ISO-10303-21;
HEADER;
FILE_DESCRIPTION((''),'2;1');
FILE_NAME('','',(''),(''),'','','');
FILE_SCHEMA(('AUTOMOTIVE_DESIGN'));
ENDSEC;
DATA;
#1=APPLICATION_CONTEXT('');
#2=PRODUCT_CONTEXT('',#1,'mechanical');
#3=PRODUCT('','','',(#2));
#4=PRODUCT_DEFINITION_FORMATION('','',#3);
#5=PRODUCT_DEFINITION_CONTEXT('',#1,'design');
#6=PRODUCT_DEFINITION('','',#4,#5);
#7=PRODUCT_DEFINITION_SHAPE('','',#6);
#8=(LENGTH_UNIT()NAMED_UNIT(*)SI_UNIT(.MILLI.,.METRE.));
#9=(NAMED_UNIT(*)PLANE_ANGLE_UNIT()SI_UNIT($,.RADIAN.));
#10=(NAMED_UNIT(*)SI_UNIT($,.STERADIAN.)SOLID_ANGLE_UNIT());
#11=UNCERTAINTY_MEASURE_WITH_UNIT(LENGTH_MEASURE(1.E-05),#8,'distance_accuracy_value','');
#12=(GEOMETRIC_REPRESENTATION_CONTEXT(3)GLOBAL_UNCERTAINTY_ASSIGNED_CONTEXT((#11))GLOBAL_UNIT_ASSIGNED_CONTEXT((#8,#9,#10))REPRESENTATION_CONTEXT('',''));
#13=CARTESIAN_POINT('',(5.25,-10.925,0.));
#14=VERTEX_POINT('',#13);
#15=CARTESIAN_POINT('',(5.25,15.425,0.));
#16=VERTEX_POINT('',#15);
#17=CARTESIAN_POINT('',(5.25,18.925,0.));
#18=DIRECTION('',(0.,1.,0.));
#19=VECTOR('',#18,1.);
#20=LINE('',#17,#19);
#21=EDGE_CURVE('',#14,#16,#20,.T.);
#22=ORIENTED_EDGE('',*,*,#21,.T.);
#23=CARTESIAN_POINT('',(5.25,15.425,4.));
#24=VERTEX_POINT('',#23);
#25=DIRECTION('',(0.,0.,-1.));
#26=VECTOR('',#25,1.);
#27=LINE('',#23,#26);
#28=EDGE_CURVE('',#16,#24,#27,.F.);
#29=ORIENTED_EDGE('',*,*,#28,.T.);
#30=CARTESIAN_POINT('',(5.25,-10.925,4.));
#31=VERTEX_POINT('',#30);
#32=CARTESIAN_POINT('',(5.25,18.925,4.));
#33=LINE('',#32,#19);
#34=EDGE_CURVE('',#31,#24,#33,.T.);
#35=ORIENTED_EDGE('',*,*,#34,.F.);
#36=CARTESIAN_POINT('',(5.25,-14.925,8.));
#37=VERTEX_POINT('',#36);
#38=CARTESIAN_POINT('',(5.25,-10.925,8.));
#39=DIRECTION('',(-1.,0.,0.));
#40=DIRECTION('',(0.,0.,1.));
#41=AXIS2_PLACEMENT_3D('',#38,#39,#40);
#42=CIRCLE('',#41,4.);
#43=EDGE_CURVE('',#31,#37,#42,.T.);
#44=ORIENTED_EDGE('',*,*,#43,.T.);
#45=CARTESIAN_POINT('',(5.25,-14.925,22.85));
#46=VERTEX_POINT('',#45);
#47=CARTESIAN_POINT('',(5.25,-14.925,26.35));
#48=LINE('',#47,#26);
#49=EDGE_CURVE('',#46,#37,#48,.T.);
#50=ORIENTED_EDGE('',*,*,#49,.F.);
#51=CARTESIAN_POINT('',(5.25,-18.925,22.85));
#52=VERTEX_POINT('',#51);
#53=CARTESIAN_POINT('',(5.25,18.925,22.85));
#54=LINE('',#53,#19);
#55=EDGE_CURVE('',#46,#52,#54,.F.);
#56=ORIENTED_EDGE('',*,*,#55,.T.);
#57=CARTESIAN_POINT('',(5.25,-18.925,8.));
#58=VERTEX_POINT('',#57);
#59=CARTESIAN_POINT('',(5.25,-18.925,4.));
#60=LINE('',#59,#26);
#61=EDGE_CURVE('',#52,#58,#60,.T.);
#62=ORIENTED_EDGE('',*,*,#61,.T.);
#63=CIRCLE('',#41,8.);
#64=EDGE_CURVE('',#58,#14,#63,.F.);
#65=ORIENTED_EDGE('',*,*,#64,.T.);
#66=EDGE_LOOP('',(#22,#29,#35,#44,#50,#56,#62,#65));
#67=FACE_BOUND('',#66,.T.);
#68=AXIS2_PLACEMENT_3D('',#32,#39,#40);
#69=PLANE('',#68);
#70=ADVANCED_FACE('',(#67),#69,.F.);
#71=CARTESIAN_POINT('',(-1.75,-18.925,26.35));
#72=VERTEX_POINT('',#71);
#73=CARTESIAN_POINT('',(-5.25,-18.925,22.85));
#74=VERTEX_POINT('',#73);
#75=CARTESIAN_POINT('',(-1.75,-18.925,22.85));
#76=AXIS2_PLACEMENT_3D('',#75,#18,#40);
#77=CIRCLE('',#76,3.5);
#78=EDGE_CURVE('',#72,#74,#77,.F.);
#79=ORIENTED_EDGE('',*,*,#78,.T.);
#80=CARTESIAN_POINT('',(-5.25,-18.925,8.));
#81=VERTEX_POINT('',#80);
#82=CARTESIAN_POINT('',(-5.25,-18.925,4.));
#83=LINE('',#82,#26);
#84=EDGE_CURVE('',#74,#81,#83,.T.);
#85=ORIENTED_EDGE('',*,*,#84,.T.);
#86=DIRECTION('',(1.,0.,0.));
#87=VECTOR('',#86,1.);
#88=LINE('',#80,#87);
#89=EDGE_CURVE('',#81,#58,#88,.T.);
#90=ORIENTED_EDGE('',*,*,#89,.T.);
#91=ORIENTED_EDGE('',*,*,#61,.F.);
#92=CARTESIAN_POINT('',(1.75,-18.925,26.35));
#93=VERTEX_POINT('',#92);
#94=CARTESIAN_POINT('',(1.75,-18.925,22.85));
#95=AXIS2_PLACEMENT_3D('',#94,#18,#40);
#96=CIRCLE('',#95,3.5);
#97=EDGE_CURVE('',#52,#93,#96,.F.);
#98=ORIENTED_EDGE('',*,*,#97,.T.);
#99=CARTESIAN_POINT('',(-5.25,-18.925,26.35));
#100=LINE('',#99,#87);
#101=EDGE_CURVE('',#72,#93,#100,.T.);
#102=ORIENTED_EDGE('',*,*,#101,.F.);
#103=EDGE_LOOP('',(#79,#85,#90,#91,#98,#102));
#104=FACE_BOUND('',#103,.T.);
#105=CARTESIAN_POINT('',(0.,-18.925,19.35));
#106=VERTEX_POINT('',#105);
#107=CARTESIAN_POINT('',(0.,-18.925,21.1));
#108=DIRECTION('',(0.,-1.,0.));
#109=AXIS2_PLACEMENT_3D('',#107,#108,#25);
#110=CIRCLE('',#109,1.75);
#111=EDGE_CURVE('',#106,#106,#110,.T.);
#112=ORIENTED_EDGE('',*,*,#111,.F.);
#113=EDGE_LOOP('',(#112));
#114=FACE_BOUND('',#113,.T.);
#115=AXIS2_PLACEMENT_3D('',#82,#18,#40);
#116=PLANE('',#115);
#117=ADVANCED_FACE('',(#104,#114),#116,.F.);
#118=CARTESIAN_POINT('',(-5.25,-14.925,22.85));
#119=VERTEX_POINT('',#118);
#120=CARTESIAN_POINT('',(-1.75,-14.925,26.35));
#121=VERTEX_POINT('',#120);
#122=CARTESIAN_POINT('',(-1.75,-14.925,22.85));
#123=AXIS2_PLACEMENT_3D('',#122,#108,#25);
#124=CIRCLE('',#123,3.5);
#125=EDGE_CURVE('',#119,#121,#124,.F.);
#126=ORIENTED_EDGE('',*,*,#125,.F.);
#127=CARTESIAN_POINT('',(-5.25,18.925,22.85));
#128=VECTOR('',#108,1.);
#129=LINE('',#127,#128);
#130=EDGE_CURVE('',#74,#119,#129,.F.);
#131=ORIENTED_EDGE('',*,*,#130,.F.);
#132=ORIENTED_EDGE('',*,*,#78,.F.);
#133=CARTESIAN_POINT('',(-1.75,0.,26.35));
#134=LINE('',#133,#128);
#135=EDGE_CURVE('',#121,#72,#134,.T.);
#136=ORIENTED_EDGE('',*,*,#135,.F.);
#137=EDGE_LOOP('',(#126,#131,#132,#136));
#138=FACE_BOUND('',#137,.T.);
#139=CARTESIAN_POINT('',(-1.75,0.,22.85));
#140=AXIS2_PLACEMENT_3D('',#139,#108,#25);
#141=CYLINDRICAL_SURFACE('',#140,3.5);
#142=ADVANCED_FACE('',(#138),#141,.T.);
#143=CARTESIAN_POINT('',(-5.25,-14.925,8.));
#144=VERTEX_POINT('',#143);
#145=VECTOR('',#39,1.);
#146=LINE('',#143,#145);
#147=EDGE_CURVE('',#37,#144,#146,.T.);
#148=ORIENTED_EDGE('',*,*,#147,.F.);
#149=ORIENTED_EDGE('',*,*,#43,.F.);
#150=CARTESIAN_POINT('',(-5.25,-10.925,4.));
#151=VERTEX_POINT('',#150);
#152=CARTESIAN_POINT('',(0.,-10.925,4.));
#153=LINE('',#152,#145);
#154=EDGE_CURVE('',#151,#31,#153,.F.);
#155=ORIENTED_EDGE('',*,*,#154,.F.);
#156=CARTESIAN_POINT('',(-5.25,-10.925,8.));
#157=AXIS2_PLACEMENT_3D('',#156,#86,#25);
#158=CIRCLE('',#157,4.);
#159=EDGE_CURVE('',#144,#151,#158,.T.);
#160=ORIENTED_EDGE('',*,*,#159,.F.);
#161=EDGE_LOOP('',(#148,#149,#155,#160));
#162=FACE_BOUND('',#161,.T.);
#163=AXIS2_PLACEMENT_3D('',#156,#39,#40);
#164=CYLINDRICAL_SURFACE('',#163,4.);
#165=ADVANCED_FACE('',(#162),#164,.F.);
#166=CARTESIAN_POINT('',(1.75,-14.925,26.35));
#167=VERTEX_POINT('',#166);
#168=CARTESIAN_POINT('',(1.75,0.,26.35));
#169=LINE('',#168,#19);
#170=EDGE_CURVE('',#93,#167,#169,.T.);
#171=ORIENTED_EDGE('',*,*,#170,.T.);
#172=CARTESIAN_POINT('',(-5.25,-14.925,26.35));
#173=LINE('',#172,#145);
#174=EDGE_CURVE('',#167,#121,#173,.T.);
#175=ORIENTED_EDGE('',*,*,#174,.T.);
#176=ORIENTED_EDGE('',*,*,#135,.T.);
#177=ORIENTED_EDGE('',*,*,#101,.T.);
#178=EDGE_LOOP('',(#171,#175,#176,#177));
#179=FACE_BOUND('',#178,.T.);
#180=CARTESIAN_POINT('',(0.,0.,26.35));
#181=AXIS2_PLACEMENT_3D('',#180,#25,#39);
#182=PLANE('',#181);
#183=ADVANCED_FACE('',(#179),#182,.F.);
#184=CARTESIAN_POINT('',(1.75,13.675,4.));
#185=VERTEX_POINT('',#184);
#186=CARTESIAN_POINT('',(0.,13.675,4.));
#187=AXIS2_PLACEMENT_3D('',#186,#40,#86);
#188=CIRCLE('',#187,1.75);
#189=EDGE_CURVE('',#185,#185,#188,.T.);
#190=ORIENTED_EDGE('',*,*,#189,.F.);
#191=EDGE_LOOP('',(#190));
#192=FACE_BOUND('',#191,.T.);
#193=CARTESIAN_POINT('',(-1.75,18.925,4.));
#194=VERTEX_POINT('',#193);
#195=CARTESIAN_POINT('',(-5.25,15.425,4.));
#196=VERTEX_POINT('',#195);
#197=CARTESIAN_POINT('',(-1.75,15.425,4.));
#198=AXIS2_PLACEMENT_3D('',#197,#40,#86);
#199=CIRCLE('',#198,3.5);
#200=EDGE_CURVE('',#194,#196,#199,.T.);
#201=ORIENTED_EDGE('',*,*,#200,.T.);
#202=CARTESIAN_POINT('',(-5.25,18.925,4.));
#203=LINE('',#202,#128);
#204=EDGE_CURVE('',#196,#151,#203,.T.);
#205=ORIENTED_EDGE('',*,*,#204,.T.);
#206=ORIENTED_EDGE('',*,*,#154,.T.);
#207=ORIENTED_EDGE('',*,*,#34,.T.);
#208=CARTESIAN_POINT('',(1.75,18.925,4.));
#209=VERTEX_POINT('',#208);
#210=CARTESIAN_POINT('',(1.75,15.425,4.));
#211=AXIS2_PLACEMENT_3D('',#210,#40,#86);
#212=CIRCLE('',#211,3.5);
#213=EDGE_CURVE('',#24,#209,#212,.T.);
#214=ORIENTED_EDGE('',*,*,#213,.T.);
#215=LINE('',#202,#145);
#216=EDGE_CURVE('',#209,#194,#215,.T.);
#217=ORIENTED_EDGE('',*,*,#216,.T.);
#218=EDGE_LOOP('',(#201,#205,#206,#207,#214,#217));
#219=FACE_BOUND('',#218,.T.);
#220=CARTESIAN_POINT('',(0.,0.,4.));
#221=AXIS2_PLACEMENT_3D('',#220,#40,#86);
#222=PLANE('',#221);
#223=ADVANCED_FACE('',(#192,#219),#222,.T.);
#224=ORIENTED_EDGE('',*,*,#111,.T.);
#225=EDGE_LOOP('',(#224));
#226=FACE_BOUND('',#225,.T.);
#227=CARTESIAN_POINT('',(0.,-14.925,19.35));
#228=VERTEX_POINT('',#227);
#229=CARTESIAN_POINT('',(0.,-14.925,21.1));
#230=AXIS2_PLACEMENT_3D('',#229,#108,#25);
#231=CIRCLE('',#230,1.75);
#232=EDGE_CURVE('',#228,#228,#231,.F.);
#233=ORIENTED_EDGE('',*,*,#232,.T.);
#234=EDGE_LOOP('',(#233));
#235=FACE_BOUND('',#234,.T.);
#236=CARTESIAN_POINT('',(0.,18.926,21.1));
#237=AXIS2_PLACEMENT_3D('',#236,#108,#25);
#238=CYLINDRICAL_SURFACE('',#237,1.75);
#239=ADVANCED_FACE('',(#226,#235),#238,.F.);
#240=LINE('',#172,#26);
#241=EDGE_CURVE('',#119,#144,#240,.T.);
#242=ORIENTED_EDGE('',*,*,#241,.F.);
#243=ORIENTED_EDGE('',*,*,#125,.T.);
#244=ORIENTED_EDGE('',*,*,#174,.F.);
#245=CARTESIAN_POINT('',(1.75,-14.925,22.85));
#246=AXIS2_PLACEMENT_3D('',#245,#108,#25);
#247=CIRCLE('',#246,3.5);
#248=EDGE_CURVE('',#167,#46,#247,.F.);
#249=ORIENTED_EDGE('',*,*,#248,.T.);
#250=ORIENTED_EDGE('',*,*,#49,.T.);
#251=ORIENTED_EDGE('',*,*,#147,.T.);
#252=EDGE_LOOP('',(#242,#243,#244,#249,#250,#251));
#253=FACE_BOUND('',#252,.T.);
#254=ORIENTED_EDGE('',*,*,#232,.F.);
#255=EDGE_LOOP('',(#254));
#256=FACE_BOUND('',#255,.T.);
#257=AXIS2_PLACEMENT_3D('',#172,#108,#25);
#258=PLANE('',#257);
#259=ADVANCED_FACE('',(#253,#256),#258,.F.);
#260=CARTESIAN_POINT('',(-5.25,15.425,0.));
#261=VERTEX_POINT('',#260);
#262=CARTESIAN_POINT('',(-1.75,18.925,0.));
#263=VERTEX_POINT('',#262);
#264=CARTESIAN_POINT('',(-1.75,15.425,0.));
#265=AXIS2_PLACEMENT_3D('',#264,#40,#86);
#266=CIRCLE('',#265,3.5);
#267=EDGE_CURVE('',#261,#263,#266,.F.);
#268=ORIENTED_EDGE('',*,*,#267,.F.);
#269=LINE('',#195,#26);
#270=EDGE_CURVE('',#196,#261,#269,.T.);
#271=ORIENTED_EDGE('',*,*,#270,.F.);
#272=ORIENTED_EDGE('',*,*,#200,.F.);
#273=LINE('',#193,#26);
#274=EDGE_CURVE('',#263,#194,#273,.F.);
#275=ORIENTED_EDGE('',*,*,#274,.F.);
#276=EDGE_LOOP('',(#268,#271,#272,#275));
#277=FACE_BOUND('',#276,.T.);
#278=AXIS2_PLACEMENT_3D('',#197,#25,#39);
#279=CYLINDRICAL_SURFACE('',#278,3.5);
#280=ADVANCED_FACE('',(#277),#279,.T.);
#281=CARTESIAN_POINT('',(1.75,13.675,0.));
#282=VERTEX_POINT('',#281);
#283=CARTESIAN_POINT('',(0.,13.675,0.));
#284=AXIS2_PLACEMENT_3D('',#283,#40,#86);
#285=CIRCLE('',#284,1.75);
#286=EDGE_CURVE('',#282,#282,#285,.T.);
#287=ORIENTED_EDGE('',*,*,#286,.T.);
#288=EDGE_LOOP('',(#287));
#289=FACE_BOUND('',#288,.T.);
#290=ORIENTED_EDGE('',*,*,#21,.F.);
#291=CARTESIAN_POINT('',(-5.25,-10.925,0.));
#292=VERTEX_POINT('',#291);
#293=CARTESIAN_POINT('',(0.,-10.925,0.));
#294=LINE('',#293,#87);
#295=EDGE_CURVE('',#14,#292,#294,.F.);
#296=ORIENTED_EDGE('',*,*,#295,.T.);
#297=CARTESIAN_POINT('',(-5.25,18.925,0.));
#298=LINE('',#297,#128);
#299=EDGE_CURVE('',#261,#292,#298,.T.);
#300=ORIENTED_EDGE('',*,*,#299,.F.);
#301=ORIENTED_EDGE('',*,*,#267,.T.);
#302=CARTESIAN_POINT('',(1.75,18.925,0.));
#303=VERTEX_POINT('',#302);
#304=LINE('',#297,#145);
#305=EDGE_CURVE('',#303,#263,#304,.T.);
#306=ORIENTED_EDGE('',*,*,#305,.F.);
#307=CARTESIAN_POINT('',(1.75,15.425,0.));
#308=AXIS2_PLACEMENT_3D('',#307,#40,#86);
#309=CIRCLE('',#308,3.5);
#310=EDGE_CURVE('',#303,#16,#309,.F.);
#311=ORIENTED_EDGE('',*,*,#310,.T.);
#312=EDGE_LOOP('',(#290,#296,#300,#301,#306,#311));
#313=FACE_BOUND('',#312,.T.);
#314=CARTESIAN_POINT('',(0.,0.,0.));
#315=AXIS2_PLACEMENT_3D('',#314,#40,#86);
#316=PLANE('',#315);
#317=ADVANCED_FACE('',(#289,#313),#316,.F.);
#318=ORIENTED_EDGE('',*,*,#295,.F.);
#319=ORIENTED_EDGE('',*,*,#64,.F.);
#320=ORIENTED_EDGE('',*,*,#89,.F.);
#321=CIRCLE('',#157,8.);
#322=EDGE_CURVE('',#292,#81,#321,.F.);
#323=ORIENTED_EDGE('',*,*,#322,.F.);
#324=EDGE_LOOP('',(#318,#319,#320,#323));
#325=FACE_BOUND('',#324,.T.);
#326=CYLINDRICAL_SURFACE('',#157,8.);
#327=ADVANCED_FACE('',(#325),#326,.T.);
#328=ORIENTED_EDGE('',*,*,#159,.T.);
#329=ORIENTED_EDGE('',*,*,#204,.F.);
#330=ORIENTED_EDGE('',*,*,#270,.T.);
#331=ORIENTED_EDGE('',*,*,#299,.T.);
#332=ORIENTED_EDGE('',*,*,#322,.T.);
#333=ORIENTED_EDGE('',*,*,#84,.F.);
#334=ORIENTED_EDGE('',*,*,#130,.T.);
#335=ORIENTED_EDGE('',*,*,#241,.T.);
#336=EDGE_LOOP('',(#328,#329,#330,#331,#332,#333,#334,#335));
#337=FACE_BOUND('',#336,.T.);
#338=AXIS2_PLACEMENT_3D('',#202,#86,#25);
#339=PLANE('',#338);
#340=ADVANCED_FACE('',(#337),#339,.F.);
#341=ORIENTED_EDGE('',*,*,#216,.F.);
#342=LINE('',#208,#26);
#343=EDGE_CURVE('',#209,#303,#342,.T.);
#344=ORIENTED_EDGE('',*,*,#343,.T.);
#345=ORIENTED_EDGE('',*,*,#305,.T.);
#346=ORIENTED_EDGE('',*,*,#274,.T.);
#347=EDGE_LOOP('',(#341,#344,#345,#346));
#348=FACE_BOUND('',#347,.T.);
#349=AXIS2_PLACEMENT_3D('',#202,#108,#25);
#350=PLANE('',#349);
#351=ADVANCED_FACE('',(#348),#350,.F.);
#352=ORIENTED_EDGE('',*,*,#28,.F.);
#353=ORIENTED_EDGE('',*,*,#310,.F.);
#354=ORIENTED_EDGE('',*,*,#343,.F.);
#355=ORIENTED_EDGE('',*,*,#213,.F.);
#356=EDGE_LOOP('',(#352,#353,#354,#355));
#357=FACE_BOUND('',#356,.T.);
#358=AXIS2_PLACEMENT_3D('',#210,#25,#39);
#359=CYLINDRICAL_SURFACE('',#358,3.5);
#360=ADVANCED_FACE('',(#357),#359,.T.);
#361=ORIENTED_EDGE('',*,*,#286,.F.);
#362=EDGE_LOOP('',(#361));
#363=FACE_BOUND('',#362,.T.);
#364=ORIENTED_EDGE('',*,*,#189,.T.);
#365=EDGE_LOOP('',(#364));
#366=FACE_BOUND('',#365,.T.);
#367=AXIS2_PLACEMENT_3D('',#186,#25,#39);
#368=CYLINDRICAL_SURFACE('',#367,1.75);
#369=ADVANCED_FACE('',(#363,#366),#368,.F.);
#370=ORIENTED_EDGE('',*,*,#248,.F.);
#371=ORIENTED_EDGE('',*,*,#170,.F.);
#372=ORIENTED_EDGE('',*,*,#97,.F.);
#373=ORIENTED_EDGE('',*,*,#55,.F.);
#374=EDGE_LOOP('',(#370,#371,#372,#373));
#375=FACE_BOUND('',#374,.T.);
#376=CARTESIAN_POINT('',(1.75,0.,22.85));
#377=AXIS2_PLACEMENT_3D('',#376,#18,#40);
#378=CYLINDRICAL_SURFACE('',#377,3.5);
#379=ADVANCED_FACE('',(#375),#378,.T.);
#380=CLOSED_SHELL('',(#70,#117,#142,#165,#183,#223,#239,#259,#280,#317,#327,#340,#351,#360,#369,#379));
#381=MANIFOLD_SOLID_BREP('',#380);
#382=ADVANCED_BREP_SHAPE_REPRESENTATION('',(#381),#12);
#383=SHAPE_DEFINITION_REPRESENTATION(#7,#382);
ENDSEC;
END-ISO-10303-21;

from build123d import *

# Parameters (mm, degrees)
ESQUISSE1_W             = 10.5
ESQUISSE1_H             = 37.85
ESQUISSE1_R             = 1.75
BOSS_EXTRU_1_DEPTH      = 4
ESQUISSE2_W             = 10.5
ESQUISSE2_H             = 4
BOSS_EXTRU_2_DEPTH      = 22.35
ENL_V_MAT_EXTRU_1_REACH = 39.85
ESQUISSE3_R             = 1.75
CONG_1_R                = 3.5
CONG_2_R                = 4
CONG_3_R                = 8


with BuildPart() as part:
    # Esquisse1 → Boss.-Extru.1 (new body)
    with BuildSketch(Plane.XY):
        Rectangle(ESQUISSE1_W, ESQUISSE1_H)
        with Locations((0, 13.675)):
            Circle(ESQUISSE1_R, mode=Mode.SUBTRACT)
    extrude(amount=BOSS_EXTRU_1_DEPTH)

    # Esquisse2 → Boss.-Extru.2 (add)
    with BuildSketch(Plane.XY.offset(4)):
        with Locations((0, -16.925)):
            Rectangle(ESQUISSE2_W, ESQUISSE2_H)
    extrude(amount=BOSS_EXTRU_2_DEPTH)

    # Esquisse3 → Enlèv. mat.-Extru.1 (cut, up to next)
    with BuildSketch(Plane.XZ.offset(18.925), mode=Mode.PRIVATE) as enl_v_mat_extru_1_sk1:
        with Locations((0, 21.1)):
            Circle(ESQUISSE3_R)
    enl_v_mat_extru_1_tool1 = extrude(enl_v_mat_extru_1_sk1.sketch, amount=-ENL_V_MAT_EXTRU_1_REACH, mode=Mode.PRIVATE) & part.part
    add(enl_v_mat_extru_1_tool1.solids().sort_by_distance((0, -18.925, 21.1))[0], mode=Mode.SUBTRACT)

    # Congé1
    cong_1_edges = [part.edges().sort_by_distance(p)[0] for p in [
        (-5.25, -16.925, 26.35),
        (5.25, -16.925, 26.35),
        (-5.25, 18.925, 2),
        (5.25, 18.925, 2),
    ]]
    fillet(cong_1_edges, radius=CONG_1_R)

    # Congé2
    cong_2_edges = [part.edges().sort_by_distance(p)[0] for p in [
        (0, -14.925, 4),
    ]]
    fillet(cong_2_edges, radius=CONG_2_R)

    # Congé3
    cong_3_edges = [part.edges().sort_by_distance(p)[0] for p in [
        (0, -18.925, 0),
    ]]
    fillet(cong_3_edges, radius=CONG_3_R)


solid = part.part
